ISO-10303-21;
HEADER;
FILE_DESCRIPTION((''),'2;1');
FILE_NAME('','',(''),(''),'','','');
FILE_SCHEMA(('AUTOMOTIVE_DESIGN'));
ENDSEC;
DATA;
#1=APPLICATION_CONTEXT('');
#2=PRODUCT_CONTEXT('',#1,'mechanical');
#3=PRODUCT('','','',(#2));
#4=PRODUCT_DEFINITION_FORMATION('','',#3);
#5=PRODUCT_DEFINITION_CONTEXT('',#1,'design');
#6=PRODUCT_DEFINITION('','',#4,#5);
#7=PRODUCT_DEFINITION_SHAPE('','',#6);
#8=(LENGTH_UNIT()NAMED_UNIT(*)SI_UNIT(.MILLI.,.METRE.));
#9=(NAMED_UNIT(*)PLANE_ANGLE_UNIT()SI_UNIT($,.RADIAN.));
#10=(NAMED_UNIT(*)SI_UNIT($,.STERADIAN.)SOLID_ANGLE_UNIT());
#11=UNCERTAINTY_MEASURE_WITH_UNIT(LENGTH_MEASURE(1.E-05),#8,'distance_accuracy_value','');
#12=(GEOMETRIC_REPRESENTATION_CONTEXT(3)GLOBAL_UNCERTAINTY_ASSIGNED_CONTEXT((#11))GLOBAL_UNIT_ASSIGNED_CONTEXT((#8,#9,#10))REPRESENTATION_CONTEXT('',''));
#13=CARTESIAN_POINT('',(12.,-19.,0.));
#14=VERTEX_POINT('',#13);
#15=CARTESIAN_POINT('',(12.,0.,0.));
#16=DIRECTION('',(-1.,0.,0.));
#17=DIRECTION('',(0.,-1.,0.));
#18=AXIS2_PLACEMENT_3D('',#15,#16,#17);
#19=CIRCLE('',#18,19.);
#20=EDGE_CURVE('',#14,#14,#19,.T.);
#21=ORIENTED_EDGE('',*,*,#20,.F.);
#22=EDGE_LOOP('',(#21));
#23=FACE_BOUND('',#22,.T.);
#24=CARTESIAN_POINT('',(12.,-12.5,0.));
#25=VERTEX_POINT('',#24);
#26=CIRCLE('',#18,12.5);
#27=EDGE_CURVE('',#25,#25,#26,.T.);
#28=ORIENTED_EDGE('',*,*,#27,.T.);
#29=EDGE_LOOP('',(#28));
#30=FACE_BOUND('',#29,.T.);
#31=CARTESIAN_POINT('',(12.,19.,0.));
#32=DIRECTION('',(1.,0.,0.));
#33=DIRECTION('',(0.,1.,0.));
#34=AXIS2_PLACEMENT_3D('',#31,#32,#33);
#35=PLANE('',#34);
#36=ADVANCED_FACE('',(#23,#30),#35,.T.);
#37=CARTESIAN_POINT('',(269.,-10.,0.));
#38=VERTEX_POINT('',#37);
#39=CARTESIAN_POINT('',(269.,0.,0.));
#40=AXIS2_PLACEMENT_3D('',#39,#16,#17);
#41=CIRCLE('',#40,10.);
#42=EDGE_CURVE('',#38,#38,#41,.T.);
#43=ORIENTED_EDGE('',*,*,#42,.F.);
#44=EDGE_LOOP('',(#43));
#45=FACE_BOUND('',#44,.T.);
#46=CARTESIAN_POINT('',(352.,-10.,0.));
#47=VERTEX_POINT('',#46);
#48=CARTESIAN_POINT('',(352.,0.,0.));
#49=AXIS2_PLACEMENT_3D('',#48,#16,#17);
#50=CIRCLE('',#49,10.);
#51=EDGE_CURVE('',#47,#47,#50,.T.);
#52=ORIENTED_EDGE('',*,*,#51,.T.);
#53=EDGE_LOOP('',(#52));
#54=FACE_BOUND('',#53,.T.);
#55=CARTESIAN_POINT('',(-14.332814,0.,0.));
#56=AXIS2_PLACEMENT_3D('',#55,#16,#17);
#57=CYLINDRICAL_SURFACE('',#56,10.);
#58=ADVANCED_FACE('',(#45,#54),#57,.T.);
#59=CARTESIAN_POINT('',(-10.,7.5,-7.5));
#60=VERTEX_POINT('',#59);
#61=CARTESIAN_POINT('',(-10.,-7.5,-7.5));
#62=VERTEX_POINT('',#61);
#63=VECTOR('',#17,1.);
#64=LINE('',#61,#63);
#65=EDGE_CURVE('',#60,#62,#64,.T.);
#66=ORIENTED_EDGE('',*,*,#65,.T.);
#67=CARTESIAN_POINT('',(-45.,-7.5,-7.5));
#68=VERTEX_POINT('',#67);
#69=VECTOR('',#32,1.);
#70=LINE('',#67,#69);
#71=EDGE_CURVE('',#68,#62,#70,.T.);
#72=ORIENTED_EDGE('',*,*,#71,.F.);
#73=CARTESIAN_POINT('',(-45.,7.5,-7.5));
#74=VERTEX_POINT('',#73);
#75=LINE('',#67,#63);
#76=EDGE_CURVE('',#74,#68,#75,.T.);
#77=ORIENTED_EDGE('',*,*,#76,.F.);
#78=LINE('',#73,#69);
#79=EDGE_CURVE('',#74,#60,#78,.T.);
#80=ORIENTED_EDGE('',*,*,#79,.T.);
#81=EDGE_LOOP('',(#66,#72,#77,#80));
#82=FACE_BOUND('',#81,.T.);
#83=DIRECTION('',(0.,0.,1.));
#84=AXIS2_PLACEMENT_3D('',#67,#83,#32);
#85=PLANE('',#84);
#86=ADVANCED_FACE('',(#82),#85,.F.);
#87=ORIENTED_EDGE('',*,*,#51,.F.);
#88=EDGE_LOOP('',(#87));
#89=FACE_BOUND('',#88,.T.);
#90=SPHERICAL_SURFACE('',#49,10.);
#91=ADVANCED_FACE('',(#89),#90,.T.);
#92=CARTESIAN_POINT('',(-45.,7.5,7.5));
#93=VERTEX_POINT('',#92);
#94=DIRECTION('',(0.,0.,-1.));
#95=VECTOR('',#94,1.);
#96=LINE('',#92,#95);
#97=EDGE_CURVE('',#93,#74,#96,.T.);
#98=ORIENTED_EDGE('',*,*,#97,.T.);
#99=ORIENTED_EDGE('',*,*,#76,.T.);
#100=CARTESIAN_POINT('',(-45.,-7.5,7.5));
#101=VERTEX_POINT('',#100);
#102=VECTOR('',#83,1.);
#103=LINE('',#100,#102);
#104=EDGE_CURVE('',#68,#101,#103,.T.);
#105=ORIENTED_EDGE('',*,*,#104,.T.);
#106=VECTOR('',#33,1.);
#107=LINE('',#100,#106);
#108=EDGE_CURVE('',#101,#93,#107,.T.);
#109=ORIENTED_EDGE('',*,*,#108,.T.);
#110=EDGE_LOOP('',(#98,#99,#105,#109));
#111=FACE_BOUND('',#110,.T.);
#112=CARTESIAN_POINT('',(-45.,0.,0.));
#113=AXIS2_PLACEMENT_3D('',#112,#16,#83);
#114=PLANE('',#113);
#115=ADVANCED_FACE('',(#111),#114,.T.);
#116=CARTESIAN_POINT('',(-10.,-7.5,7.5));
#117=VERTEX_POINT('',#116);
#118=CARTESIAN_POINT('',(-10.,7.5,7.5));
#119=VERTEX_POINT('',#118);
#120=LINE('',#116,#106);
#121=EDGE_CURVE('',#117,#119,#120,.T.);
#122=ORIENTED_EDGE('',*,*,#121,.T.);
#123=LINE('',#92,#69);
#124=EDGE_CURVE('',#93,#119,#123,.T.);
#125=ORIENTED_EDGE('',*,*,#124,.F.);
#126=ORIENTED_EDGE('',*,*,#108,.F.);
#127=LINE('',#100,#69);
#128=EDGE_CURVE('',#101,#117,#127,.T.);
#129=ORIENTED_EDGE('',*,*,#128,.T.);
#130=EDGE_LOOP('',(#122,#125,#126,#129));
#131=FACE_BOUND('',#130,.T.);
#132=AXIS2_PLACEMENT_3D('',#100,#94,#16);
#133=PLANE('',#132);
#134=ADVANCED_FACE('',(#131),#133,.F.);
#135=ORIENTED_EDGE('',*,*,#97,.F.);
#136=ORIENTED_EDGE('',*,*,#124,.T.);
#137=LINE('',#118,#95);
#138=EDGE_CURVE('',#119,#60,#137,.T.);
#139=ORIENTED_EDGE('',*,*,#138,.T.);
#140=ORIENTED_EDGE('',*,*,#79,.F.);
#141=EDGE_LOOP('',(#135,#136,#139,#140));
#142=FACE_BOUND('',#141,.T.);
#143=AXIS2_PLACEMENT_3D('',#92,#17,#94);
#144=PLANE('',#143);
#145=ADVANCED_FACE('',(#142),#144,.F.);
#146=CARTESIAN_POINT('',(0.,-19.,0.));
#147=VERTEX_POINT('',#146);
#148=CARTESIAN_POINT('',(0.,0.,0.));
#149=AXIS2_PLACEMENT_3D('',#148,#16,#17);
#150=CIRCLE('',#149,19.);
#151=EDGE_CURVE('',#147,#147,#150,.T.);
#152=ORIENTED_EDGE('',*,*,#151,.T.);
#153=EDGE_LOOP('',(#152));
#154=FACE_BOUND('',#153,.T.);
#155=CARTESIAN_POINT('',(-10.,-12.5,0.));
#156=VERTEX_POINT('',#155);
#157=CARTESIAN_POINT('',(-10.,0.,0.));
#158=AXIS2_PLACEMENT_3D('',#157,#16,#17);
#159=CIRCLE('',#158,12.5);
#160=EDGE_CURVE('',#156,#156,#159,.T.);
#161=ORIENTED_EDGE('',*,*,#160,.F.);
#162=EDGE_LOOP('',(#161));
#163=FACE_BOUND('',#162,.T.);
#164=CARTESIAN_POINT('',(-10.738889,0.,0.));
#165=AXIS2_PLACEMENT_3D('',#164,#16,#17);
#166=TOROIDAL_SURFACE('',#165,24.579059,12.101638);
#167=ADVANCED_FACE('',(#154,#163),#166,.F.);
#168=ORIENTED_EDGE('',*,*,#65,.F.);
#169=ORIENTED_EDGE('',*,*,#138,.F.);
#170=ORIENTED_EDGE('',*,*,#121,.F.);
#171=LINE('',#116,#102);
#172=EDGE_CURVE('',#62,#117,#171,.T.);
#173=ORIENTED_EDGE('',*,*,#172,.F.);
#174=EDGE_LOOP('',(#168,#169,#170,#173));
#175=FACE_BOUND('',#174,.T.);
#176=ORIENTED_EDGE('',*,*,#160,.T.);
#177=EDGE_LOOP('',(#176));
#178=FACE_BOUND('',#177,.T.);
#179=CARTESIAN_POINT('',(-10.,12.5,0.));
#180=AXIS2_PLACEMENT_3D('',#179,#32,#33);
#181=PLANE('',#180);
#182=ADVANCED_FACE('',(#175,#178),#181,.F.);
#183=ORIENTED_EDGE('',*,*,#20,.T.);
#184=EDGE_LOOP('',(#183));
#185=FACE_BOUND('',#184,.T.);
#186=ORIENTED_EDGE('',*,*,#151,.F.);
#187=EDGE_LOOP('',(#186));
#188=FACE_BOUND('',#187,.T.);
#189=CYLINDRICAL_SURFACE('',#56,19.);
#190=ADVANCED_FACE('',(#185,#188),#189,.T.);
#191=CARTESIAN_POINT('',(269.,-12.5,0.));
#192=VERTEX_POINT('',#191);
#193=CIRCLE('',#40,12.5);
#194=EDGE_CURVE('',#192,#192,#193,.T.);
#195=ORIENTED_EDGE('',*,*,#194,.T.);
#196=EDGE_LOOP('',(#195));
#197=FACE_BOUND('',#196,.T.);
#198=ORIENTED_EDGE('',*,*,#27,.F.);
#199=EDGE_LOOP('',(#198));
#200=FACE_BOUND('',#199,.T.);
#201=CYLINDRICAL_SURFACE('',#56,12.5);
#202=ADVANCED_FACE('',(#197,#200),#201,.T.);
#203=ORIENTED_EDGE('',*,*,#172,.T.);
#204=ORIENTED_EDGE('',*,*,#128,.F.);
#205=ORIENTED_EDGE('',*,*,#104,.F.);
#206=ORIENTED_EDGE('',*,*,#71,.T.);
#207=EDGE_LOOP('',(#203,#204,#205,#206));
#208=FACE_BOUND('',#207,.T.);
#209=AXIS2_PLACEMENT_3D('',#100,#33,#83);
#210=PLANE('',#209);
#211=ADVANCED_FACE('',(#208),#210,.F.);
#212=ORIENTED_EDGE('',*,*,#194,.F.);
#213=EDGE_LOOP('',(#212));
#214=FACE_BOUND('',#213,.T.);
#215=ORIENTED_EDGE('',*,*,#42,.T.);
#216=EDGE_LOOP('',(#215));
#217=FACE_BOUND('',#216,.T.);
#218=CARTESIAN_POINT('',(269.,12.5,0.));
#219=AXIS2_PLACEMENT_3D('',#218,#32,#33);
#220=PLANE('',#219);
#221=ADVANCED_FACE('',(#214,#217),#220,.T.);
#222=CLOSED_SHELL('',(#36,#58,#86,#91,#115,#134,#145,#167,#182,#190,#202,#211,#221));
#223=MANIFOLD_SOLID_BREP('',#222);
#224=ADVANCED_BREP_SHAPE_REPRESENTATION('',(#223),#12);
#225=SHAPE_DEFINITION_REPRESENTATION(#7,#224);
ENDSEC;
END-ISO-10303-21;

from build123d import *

# Parameters (mm, degrees)
SKETCH2_W           = 15
SKETCH2_H           = 15
BOSS_EXTRUDE1_DEPTH = 35


with BuildPart() as part:
    # Sketch1 → Revolve1 (revolve)
    with BuildSketch(Plane.XY, mode=Mode.PRIVATE) as revolve1_sk:
        with BuildLine():
            Line((0, 19), (12, 19))
            Line((12, 19), (12, 12.5))
            Line((12, 12.5), (269, 12.5))
            Line((269, 12.5), (269, 10))
            Line((269, 10), (352, 10))
            ThreePointArc((352, 10), (359.071067812, 7.071067812), (362, 0))
            Line((362, 0), (-10, 0))
            Line((-10, 0), (-10, 12.5))
            ThreePointArc((-10, 12.5), (-4.143637104, 14.432518621), (0, 19))
        make_face()
    revolve(revolve1_sk.sketch.rotate(Axis((-14.332813636, 0, 0), (1, 0, 0)), 180), axis=Axis((-14.332813636, 0, 0), (1, 0, 0)))

    # Sketch2 → Boss-Extrude1 (add)
    with BuildSketch(Plane.ZY.offset(10)):
        Rectangle(SKETCH2_W, SKETCH2_H)
    extrude(amount=BOSS_EXTRUDE1_DEPTH)


solid = part.part
